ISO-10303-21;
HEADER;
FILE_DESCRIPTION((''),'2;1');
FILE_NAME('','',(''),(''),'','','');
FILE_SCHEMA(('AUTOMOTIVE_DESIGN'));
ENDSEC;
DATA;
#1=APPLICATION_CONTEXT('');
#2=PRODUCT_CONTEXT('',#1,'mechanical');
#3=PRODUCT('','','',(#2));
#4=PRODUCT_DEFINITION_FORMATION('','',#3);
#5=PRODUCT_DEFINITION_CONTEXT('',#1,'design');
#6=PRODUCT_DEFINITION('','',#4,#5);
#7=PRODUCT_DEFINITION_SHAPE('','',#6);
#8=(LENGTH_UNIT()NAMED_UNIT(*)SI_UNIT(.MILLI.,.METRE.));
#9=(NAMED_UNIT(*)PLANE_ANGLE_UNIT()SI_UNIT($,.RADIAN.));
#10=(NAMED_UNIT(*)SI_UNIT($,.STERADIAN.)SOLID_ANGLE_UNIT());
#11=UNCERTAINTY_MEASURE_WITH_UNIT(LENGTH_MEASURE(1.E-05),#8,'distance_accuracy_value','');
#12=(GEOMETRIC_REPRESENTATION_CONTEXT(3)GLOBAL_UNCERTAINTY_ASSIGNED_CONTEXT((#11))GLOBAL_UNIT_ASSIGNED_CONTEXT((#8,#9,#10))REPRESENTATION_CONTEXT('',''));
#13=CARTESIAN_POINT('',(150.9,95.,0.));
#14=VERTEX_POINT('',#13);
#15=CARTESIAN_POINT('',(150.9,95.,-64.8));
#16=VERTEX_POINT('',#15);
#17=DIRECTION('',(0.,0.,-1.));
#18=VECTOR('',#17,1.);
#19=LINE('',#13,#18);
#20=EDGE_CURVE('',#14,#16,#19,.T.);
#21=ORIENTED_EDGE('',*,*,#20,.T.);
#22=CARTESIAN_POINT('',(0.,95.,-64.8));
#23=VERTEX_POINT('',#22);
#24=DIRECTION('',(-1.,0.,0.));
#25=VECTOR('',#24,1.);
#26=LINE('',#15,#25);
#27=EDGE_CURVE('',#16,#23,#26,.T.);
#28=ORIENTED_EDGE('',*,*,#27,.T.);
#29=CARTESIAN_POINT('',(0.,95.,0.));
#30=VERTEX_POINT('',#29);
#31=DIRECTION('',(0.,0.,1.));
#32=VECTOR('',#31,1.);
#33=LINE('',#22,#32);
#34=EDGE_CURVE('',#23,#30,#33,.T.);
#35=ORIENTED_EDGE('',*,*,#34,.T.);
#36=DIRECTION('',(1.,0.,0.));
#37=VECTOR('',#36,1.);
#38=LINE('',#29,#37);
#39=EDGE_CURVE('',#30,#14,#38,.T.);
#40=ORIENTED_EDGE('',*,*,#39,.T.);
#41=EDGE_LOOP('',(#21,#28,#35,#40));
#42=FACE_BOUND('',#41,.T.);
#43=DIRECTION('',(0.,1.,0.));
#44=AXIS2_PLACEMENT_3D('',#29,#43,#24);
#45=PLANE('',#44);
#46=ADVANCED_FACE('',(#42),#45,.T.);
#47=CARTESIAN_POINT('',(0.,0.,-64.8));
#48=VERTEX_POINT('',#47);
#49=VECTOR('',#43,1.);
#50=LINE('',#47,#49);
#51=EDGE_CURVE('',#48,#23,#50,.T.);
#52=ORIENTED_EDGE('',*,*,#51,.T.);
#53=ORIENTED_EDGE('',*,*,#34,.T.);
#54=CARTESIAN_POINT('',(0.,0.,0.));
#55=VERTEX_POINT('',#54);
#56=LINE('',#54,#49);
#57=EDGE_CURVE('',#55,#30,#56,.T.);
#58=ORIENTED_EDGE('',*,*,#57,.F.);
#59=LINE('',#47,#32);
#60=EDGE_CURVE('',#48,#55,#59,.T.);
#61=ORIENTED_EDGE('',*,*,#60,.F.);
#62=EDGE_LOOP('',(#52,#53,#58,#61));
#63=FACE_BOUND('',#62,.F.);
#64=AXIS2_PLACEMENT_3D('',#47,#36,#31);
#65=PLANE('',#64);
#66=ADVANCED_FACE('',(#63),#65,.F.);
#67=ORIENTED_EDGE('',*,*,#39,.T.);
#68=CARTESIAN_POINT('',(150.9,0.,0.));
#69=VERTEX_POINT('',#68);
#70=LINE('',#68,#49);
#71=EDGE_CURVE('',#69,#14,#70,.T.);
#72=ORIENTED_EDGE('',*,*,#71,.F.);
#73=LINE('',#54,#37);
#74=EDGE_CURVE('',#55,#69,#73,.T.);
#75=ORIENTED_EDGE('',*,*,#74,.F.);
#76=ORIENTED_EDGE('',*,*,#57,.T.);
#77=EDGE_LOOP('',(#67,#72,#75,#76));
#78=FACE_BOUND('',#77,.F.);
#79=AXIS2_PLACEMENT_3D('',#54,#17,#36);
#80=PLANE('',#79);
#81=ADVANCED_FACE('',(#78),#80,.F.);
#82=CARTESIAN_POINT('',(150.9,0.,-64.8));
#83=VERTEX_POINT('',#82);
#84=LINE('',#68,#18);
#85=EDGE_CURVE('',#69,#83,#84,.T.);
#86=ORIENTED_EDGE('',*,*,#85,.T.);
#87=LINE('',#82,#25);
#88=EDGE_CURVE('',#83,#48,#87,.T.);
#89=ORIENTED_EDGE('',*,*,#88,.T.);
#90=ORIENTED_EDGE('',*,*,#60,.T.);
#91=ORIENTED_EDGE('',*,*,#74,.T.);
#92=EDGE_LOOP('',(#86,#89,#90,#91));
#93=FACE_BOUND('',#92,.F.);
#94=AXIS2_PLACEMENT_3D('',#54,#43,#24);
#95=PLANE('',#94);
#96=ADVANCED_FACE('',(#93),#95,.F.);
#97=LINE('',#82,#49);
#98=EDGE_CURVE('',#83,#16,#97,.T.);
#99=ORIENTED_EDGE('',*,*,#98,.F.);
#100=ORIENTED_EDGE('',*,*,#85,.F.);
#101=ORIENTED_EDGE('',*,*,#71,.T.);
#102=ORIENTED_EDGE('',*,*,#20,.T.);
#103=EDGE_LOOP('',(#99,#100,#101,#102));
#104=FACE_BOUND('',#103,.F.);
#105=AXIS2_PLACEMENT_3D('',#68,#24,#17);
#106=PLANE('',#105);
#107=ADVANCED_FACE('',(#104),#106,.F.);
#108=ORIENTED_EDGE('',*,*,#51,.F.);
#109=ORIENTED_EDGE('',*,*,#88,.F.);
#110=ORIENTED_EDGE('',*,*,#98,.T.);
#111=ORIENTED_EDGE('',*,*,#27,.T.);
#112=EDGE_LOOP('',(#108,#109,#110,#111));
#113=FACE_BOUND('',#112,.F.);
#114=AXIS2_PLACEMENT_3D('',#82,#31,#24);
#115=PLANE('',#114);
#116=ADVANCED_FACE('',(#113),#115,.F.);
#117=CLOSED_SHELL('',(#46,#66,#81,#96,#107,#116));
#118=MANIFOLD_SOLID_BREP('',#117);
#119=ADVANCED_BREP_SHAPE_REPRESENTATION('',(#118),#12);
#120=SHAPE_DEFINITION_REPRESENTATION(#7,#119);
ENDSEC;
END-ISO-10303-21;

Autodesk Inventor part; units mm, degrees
ref_plane "YZ Plane" through (0, 0, 0) normal (1, 0, 0) x (0, 1, 0)
ref_plane "XZ Plane" through (0, 0, 0) normal (0, 1, 0) x (-1, 0, 0)
ref_plane "XY Plane" through (0, 0, 0) normal (0, 0, 1) x (1, 0, 0)
sketch "Sketch1" plane through (0, 0, 0) normal (0, 1, 0) x (-1, 0, 0)
  line L0 (0, 0) -> (-150.9, 0)
  line L1 (-150.9, 0) -> (-150.9, -64.8)
  line L2 (-150.9, -64.8) -> (0, -64.8)
  line L3 (0, -64.8) -> (0, 0)
  dimension "d0" = 150.9
  dimension "d1" = 64.8
extrude "Extrusion1" add sketch "Sketch1" along normal blind 95
properties part number "Mock Battery"
